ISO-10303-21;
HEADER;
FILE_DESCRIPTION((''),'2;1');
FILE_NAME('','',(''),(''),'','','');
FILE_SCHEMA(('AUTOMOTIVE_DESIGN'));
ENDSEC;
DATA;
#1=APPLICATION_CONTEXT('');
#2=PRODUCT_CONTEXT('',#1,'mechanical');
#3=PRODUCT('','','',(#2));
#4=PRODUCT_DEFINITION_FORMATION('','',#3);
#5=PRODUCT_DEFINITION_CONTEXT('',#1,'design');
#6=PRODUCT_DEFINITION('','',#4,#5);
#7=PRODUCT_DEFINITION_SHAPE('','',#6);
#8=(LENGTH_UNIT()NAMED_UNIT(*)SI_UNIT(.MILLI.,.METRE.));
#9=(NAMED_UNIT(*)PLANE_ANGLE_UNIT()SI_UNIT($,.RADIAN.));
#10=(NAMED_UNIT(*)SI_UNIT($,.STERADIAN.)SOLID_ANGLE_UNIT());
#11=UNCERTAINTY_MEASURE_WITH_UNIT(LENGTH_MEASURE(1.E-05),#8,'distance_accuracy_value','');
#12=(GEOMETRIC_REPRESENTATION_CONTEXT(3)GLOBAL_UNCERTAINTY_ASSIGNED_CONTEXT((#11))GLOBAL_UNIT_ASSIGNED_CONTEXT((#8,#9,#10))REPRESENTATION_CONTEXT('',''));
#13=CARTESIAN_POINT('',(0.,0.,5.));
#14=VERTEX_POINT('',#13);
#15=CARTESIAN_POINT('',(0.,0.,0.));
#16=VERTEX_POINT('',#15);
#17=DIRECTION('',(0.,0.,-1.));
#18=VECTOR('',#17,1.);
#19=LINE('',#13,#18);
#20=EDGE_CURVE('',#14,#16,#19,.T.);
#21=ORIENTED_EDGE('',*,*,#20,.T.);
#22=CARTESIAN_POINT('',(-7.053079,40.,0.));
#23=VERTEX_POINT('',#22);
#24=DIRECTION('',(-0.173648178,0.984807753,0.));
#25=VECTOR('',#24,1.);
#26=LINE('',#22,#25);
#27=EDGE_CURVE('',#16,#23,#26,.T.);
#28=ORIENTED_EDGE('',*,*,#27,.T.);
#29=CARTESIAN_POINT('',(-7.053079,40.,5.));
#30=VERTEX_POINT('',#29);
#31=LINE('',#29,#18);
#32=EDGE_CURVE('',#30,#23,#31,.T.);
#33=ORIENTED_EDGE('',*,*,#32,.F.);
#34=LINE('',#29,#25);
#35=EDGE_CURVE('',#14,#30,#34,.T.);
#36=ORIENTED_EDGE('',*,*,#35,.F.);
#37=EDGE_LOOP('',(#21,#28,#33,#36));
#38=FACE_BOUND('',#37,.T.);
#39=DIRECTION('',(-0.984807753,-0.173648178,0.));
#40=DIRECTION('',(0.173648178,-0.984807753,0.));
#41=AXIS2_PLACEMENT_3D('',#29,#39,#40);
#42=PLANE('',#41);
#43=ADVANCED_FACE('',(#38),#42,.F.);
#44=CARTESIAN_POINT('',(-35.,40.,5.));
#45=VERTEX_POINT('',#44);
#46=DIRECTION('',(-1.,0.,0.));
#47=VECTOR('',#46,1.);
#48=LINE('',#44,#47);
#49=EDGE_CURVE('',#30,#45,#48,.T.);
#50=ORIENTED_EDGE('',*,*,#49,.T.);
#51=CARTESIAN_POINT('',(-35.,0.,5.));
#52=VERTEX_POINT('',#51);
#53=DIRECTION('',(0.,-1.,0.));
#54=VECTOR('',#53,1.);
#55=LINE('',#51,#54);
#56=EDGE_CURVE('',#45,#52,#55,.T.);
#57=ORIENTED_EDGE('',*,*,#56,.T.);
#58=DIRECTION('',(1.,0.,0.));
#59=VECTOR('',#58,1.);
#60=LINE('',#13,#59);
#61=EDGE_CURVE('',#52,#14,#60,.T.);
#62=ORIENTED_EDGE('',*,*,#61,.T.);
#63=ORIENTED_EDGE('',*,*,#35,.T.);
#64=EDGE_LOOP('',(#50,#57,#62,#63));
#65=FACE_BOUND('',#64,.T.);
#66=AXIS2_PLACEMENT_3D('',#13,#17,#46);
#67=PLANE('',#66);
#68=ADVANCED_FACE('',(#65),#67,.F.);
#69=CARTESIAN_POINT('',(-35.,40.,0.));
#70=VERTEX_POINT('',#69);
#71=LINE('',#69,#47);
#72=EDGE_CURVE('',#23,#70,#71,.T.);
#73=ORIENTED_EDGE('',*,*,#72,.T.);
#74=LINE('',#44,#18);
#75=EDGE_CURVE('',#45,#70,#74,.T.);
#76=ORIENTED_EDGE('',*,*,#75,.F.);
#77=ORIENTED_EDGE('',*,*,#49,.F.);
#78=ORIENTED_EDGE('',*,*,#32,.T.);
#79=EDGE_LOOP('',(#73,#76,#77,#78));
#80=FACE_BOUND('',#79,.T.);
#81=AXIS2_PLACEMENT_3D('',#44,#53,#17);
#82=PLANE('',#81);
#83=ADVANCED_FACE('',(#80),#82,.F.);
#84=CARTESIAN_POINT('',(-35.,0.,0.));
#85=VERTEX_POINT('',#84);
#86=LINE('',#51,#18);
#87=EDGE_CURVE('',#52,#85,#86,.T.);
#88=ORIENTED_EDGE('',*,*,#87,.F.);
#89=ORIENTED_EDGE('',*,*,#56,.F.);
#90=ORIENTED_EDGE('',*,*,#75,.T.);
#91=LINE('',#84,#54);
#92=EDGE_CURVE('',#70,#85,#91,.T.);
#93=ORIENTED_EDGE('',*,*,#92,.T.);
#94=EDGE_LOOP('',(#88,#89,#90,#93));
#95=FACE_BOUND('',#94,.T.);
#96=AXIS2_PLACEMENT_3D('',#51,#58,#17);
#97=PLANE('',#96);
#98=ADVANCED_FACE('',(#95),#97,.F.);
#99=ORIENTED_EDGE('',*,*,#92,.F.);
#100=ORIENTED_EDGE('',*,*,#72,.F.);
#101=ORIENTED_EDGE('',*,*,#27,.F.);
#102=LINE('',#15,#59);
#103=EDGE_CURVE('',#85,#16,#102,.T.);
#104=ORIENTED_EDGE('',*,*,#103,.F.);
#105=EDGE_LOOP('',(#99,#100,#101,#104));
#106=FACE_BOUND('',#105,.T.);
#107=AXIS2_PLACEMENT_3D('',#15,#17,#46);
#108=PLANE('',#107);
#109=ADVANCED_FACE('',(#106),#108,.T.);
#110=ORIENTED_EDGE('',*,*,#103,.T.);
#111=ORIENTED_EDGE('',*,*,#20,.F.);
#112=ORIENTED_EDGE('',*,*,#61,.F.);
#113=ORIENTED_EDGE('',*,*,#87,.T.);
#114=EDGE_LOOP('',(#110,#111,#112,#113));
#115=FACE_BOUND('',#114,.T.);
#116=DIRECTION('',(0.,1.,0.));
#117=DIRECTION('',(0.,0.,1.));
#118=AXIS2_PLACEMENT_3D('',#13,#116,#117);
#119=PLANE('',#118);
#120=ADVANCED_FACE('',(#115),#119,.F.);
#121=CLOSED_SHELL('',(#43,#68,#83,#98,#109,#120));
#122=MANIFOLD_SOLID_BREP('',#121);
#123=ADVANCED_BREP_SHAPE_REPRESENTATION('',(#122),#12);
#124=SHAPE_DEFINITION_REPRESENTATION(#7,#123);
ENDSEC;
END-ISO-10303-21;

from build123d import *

# Parameters (mm, degrees)
BOSS_EXTRU_1_DEPTH = 5


with BuildPart() as part:
    # Esquisse1 → Boss.-Extru.1 (new body)
    with BuildSketch(Plane.XY):
        Polygon((0, 0), (-35, 0), (-35, 40), (-7.053079228, 40), align=None)
    extrude(amount=BOSS_EXTRU_1_DEPTH)


solid = part.part
